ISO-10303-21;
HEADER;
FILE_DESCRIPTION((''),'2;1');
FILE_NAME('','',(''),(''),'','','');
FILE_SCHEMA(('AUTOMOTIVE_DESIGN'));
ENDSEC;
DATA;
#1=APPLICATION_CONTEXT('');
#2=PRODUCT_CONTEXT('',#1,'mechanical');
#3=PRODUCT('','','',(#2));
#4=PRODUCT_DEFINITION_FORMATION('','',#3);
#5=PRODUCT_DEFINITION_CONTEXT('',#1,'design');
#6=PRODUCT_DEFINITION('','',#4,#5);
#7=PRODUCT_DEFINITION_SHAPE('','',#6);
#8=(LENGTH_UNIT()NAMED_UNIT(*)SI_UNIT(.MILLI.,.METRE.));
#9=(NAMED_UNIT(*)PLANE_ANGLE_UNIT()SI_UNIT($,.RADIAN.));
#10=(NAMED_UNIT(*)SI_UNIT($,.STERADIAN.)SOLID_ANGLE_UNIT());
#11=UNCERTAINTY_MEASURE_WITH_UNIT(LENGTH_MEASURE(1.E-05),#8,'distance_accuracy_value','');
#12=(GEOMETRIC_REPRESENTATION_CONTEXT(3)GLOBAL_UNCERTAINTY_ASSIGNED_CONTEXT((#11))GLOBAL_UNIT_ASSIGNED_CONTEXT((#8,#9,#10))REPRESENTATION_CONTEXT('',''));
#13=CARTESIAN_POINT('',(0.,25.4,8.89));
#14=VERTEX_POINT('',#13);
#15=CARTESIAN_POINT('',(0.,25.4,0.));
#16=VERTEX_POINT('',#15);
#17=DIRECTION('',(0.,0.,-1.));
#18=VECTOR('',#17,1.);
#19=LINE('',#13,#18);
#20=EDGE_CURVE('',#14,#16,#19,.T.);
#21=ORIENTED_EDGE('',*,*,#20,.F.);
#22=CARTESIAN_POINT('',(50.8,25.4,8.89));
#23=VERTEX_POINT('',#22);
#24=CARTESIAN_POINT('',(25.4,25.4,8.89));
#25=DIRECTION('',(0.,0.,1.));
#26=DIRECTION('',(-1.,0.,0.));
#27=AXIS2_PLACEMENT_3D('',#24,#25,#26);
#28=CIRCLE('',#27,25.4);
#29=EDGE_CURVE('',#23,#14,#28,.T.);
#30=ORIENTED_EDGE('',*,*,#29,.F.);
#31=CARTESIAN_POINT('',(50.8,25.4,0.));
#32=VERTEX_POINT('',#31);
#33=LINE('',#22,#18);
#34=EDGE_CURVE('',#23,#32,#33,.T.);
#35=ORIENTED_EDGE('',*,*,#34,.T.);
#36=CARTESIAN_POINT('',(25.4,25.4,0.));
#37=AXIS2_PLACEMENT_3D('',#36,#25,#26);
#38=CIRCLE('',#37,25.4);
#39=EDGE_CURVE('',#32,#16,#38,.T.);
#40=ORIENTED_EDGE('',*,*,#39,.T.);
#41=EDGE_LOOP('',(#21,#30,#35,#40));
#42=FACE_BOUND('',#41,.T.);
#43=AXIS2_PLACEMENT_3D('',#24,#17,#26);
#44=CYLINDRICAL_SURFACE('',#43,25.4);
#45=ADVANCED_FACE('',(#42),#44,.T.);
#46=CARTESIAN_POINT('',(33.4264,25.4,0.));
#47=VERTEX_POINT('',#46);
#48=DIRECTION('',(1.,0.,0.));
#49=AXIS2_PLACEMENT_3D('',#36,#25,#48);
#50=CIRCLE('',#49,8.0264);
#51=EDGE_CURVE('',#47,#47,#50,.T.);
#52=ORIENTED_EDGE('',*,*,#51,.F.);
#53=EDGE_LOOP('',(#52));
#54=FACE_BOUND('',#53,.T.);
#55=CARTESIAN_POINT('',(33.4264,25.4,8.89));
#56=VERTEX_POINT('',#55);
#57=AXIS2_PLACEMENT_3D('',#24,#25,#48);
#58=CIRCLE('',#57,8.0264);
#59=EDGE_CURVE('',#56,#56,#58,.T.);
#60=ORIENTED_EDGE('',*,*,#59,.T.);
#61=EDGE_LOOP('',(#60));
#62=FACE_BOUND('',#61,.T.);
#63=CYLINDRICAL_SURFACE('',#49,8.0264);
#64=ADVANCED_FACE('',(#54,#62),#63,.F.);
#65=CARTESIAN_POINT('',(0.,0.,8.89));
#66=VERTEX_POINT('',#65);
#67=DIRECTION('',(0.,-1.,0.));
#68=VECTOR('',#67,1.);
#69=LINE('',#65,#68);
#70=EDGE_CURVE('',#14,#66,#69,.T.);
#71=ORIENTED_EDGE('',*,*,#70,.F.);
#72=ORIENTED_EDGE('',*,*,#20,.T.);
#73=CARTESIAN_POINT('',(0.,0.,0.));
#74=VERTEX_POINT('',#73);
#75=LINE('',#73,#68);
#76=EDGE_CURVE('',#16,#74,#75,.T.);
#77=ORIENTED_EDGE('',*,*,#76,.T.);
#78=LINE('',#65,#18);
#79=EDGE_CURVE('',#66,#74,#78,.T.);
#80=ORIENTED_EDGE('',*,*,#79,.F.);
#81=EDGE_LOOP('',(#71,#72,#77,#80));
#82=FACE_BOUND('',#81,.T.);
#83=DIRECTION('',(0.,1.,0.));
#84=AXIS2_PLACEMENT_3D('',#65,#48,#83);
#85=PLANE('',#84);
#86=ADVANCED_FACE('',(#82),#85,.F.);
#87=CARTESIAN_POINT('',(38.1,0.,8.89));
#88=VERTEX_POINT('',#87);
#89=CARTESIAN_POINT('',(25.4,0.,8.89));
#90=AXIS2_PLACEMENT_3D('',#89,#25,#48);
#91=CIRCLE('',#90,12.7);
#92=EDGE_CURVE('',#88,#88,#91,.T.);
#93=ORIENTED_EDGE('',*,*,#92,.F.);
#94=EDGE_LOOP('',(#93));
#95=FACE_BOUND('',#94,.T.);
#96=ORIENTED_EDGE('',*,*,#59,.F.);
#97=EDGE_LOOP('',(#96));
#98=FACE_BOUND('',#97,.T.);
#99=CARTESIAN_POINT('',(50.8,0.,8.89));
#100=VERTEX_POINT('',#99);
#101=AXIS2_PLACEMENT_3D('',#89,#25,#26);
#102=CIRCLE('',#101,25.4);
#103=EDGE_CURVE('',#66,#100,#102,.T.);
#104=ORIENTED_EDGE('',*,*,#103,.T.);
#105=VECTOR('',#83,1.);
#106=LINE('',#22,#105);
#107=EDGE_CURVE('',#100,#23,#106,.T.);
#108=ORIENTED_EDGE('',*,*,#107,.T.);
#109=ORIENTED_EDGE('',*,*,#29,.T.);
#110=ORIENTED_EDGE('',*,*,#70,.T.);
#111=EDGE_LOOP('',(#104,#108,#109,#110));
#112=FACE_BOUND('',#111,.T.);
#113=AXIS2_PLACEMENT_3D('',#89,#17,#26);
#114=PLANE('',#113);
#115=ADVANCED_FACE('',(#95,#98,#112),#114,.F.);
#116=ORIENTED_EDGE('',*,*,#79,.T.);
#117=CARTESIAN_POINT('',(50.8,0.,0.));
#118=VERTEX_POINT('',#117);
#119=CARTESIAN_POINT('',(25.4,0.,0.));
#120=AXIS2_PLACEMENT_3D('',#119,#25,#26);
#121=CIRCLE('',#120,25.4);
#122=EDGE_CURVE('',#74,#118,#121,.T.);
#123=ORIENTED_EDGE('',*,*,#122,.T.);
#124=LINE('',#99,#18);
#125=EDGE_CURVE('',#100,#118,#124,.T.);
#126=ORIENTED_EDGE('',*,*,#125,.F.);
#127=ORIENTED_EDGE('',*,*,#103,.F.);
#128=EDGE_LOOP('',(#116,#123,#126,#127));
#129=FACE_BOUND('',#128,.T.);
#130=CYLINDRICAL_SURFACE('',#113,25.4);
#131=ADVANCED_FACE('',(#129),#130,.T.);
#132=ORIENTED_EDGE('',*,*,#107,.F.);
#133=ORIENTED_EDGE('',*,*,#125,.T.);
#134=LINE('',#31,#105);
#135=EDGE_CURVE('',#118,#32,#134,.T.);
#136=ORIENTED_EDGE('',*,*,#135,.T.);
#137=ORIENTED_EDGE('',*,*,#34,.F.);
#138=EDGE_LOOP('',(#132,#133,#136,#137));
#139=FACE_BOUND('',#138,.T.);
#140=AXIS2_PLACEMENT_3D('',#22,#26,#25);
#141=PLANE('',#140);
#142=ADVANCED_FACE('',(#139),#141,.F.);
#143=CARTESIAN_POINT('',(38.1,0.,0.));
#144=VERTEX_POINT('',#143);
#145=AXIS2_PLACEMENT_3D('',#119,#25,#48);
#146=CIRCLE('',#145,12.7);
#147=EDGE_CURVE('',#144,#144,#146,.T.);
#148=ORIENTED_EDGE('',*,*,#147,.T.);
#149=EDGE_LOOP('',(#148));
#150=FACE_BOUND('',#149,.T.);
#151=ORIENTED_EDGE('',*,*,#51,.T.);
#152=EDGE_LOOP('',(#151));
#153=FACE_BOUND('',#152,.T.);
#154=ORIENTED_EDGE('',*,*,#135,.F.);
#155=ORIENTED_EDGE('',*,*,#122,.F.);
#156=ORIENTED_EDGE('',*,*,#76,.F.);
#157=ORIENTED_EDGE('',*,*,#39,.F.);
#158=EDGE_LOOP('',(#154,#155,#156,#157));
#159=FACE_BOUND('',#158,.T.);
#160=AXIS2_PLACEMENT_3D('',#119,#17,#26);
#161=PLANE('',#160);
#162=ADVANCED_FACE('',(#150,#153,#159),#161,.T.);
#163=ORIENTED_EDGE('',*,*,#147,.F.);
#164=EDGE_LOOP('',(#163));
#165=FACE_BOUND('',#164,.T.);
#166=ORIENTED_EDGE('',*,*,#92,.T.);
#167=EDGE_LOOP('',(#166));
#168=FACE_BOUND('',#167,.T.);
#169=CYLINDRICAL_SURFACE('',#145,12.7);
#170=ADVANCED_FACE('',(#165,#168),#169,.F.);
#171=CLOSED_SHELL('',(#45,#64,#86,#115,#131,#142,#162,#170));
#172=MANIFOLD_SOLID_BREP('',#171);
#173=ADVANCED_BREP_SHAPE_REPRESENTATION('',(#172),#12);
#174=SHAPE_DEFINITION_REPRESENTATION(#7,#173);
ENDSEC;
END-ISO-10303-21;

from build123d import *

# Parameters (mm, degrees)
BOSS_EXTRUDE1_DEPTH = 8.89
SKETCH2_R           = 12.7
SKETCH2_R_2         = 8.0264
CUT_EXTRUDE2_DEPTH  = 73.39


with BuildPart() as part:
    # Sketch1 → Boss-Extrude1 (new body)
    with BuildSketch(Plane.XY):
        with BuildLine():
            Line((0, 0), (0, 25.4))
            ThreePointArc((0, 25.4), (25.4, 50.8), (50.8, 25.4))
            Line((50.8, 25.4), (50.8, 0))
            ThreePointArc((50.8, 0), (25.4, -25.4), (0, 0))
        make_face()
    extrude(amount=BOSS_EXTRUDE1_DEPTH)

    # Sketch2 → Cut-Extrude2 (cut, through all)
    with BuildSketch(Plane.XY.offset(8.89)):
        with Locations((25.4, 0)):
            Circle(SKETCH2_R)
        with Locations((25.4, 25.4)):
            Circle(SKETCH2_R_2)
    extrude(amount=-CUT_EXTRUDE2_DEPTH, mode=Mode.SUBTRACT)


solid = part.part
